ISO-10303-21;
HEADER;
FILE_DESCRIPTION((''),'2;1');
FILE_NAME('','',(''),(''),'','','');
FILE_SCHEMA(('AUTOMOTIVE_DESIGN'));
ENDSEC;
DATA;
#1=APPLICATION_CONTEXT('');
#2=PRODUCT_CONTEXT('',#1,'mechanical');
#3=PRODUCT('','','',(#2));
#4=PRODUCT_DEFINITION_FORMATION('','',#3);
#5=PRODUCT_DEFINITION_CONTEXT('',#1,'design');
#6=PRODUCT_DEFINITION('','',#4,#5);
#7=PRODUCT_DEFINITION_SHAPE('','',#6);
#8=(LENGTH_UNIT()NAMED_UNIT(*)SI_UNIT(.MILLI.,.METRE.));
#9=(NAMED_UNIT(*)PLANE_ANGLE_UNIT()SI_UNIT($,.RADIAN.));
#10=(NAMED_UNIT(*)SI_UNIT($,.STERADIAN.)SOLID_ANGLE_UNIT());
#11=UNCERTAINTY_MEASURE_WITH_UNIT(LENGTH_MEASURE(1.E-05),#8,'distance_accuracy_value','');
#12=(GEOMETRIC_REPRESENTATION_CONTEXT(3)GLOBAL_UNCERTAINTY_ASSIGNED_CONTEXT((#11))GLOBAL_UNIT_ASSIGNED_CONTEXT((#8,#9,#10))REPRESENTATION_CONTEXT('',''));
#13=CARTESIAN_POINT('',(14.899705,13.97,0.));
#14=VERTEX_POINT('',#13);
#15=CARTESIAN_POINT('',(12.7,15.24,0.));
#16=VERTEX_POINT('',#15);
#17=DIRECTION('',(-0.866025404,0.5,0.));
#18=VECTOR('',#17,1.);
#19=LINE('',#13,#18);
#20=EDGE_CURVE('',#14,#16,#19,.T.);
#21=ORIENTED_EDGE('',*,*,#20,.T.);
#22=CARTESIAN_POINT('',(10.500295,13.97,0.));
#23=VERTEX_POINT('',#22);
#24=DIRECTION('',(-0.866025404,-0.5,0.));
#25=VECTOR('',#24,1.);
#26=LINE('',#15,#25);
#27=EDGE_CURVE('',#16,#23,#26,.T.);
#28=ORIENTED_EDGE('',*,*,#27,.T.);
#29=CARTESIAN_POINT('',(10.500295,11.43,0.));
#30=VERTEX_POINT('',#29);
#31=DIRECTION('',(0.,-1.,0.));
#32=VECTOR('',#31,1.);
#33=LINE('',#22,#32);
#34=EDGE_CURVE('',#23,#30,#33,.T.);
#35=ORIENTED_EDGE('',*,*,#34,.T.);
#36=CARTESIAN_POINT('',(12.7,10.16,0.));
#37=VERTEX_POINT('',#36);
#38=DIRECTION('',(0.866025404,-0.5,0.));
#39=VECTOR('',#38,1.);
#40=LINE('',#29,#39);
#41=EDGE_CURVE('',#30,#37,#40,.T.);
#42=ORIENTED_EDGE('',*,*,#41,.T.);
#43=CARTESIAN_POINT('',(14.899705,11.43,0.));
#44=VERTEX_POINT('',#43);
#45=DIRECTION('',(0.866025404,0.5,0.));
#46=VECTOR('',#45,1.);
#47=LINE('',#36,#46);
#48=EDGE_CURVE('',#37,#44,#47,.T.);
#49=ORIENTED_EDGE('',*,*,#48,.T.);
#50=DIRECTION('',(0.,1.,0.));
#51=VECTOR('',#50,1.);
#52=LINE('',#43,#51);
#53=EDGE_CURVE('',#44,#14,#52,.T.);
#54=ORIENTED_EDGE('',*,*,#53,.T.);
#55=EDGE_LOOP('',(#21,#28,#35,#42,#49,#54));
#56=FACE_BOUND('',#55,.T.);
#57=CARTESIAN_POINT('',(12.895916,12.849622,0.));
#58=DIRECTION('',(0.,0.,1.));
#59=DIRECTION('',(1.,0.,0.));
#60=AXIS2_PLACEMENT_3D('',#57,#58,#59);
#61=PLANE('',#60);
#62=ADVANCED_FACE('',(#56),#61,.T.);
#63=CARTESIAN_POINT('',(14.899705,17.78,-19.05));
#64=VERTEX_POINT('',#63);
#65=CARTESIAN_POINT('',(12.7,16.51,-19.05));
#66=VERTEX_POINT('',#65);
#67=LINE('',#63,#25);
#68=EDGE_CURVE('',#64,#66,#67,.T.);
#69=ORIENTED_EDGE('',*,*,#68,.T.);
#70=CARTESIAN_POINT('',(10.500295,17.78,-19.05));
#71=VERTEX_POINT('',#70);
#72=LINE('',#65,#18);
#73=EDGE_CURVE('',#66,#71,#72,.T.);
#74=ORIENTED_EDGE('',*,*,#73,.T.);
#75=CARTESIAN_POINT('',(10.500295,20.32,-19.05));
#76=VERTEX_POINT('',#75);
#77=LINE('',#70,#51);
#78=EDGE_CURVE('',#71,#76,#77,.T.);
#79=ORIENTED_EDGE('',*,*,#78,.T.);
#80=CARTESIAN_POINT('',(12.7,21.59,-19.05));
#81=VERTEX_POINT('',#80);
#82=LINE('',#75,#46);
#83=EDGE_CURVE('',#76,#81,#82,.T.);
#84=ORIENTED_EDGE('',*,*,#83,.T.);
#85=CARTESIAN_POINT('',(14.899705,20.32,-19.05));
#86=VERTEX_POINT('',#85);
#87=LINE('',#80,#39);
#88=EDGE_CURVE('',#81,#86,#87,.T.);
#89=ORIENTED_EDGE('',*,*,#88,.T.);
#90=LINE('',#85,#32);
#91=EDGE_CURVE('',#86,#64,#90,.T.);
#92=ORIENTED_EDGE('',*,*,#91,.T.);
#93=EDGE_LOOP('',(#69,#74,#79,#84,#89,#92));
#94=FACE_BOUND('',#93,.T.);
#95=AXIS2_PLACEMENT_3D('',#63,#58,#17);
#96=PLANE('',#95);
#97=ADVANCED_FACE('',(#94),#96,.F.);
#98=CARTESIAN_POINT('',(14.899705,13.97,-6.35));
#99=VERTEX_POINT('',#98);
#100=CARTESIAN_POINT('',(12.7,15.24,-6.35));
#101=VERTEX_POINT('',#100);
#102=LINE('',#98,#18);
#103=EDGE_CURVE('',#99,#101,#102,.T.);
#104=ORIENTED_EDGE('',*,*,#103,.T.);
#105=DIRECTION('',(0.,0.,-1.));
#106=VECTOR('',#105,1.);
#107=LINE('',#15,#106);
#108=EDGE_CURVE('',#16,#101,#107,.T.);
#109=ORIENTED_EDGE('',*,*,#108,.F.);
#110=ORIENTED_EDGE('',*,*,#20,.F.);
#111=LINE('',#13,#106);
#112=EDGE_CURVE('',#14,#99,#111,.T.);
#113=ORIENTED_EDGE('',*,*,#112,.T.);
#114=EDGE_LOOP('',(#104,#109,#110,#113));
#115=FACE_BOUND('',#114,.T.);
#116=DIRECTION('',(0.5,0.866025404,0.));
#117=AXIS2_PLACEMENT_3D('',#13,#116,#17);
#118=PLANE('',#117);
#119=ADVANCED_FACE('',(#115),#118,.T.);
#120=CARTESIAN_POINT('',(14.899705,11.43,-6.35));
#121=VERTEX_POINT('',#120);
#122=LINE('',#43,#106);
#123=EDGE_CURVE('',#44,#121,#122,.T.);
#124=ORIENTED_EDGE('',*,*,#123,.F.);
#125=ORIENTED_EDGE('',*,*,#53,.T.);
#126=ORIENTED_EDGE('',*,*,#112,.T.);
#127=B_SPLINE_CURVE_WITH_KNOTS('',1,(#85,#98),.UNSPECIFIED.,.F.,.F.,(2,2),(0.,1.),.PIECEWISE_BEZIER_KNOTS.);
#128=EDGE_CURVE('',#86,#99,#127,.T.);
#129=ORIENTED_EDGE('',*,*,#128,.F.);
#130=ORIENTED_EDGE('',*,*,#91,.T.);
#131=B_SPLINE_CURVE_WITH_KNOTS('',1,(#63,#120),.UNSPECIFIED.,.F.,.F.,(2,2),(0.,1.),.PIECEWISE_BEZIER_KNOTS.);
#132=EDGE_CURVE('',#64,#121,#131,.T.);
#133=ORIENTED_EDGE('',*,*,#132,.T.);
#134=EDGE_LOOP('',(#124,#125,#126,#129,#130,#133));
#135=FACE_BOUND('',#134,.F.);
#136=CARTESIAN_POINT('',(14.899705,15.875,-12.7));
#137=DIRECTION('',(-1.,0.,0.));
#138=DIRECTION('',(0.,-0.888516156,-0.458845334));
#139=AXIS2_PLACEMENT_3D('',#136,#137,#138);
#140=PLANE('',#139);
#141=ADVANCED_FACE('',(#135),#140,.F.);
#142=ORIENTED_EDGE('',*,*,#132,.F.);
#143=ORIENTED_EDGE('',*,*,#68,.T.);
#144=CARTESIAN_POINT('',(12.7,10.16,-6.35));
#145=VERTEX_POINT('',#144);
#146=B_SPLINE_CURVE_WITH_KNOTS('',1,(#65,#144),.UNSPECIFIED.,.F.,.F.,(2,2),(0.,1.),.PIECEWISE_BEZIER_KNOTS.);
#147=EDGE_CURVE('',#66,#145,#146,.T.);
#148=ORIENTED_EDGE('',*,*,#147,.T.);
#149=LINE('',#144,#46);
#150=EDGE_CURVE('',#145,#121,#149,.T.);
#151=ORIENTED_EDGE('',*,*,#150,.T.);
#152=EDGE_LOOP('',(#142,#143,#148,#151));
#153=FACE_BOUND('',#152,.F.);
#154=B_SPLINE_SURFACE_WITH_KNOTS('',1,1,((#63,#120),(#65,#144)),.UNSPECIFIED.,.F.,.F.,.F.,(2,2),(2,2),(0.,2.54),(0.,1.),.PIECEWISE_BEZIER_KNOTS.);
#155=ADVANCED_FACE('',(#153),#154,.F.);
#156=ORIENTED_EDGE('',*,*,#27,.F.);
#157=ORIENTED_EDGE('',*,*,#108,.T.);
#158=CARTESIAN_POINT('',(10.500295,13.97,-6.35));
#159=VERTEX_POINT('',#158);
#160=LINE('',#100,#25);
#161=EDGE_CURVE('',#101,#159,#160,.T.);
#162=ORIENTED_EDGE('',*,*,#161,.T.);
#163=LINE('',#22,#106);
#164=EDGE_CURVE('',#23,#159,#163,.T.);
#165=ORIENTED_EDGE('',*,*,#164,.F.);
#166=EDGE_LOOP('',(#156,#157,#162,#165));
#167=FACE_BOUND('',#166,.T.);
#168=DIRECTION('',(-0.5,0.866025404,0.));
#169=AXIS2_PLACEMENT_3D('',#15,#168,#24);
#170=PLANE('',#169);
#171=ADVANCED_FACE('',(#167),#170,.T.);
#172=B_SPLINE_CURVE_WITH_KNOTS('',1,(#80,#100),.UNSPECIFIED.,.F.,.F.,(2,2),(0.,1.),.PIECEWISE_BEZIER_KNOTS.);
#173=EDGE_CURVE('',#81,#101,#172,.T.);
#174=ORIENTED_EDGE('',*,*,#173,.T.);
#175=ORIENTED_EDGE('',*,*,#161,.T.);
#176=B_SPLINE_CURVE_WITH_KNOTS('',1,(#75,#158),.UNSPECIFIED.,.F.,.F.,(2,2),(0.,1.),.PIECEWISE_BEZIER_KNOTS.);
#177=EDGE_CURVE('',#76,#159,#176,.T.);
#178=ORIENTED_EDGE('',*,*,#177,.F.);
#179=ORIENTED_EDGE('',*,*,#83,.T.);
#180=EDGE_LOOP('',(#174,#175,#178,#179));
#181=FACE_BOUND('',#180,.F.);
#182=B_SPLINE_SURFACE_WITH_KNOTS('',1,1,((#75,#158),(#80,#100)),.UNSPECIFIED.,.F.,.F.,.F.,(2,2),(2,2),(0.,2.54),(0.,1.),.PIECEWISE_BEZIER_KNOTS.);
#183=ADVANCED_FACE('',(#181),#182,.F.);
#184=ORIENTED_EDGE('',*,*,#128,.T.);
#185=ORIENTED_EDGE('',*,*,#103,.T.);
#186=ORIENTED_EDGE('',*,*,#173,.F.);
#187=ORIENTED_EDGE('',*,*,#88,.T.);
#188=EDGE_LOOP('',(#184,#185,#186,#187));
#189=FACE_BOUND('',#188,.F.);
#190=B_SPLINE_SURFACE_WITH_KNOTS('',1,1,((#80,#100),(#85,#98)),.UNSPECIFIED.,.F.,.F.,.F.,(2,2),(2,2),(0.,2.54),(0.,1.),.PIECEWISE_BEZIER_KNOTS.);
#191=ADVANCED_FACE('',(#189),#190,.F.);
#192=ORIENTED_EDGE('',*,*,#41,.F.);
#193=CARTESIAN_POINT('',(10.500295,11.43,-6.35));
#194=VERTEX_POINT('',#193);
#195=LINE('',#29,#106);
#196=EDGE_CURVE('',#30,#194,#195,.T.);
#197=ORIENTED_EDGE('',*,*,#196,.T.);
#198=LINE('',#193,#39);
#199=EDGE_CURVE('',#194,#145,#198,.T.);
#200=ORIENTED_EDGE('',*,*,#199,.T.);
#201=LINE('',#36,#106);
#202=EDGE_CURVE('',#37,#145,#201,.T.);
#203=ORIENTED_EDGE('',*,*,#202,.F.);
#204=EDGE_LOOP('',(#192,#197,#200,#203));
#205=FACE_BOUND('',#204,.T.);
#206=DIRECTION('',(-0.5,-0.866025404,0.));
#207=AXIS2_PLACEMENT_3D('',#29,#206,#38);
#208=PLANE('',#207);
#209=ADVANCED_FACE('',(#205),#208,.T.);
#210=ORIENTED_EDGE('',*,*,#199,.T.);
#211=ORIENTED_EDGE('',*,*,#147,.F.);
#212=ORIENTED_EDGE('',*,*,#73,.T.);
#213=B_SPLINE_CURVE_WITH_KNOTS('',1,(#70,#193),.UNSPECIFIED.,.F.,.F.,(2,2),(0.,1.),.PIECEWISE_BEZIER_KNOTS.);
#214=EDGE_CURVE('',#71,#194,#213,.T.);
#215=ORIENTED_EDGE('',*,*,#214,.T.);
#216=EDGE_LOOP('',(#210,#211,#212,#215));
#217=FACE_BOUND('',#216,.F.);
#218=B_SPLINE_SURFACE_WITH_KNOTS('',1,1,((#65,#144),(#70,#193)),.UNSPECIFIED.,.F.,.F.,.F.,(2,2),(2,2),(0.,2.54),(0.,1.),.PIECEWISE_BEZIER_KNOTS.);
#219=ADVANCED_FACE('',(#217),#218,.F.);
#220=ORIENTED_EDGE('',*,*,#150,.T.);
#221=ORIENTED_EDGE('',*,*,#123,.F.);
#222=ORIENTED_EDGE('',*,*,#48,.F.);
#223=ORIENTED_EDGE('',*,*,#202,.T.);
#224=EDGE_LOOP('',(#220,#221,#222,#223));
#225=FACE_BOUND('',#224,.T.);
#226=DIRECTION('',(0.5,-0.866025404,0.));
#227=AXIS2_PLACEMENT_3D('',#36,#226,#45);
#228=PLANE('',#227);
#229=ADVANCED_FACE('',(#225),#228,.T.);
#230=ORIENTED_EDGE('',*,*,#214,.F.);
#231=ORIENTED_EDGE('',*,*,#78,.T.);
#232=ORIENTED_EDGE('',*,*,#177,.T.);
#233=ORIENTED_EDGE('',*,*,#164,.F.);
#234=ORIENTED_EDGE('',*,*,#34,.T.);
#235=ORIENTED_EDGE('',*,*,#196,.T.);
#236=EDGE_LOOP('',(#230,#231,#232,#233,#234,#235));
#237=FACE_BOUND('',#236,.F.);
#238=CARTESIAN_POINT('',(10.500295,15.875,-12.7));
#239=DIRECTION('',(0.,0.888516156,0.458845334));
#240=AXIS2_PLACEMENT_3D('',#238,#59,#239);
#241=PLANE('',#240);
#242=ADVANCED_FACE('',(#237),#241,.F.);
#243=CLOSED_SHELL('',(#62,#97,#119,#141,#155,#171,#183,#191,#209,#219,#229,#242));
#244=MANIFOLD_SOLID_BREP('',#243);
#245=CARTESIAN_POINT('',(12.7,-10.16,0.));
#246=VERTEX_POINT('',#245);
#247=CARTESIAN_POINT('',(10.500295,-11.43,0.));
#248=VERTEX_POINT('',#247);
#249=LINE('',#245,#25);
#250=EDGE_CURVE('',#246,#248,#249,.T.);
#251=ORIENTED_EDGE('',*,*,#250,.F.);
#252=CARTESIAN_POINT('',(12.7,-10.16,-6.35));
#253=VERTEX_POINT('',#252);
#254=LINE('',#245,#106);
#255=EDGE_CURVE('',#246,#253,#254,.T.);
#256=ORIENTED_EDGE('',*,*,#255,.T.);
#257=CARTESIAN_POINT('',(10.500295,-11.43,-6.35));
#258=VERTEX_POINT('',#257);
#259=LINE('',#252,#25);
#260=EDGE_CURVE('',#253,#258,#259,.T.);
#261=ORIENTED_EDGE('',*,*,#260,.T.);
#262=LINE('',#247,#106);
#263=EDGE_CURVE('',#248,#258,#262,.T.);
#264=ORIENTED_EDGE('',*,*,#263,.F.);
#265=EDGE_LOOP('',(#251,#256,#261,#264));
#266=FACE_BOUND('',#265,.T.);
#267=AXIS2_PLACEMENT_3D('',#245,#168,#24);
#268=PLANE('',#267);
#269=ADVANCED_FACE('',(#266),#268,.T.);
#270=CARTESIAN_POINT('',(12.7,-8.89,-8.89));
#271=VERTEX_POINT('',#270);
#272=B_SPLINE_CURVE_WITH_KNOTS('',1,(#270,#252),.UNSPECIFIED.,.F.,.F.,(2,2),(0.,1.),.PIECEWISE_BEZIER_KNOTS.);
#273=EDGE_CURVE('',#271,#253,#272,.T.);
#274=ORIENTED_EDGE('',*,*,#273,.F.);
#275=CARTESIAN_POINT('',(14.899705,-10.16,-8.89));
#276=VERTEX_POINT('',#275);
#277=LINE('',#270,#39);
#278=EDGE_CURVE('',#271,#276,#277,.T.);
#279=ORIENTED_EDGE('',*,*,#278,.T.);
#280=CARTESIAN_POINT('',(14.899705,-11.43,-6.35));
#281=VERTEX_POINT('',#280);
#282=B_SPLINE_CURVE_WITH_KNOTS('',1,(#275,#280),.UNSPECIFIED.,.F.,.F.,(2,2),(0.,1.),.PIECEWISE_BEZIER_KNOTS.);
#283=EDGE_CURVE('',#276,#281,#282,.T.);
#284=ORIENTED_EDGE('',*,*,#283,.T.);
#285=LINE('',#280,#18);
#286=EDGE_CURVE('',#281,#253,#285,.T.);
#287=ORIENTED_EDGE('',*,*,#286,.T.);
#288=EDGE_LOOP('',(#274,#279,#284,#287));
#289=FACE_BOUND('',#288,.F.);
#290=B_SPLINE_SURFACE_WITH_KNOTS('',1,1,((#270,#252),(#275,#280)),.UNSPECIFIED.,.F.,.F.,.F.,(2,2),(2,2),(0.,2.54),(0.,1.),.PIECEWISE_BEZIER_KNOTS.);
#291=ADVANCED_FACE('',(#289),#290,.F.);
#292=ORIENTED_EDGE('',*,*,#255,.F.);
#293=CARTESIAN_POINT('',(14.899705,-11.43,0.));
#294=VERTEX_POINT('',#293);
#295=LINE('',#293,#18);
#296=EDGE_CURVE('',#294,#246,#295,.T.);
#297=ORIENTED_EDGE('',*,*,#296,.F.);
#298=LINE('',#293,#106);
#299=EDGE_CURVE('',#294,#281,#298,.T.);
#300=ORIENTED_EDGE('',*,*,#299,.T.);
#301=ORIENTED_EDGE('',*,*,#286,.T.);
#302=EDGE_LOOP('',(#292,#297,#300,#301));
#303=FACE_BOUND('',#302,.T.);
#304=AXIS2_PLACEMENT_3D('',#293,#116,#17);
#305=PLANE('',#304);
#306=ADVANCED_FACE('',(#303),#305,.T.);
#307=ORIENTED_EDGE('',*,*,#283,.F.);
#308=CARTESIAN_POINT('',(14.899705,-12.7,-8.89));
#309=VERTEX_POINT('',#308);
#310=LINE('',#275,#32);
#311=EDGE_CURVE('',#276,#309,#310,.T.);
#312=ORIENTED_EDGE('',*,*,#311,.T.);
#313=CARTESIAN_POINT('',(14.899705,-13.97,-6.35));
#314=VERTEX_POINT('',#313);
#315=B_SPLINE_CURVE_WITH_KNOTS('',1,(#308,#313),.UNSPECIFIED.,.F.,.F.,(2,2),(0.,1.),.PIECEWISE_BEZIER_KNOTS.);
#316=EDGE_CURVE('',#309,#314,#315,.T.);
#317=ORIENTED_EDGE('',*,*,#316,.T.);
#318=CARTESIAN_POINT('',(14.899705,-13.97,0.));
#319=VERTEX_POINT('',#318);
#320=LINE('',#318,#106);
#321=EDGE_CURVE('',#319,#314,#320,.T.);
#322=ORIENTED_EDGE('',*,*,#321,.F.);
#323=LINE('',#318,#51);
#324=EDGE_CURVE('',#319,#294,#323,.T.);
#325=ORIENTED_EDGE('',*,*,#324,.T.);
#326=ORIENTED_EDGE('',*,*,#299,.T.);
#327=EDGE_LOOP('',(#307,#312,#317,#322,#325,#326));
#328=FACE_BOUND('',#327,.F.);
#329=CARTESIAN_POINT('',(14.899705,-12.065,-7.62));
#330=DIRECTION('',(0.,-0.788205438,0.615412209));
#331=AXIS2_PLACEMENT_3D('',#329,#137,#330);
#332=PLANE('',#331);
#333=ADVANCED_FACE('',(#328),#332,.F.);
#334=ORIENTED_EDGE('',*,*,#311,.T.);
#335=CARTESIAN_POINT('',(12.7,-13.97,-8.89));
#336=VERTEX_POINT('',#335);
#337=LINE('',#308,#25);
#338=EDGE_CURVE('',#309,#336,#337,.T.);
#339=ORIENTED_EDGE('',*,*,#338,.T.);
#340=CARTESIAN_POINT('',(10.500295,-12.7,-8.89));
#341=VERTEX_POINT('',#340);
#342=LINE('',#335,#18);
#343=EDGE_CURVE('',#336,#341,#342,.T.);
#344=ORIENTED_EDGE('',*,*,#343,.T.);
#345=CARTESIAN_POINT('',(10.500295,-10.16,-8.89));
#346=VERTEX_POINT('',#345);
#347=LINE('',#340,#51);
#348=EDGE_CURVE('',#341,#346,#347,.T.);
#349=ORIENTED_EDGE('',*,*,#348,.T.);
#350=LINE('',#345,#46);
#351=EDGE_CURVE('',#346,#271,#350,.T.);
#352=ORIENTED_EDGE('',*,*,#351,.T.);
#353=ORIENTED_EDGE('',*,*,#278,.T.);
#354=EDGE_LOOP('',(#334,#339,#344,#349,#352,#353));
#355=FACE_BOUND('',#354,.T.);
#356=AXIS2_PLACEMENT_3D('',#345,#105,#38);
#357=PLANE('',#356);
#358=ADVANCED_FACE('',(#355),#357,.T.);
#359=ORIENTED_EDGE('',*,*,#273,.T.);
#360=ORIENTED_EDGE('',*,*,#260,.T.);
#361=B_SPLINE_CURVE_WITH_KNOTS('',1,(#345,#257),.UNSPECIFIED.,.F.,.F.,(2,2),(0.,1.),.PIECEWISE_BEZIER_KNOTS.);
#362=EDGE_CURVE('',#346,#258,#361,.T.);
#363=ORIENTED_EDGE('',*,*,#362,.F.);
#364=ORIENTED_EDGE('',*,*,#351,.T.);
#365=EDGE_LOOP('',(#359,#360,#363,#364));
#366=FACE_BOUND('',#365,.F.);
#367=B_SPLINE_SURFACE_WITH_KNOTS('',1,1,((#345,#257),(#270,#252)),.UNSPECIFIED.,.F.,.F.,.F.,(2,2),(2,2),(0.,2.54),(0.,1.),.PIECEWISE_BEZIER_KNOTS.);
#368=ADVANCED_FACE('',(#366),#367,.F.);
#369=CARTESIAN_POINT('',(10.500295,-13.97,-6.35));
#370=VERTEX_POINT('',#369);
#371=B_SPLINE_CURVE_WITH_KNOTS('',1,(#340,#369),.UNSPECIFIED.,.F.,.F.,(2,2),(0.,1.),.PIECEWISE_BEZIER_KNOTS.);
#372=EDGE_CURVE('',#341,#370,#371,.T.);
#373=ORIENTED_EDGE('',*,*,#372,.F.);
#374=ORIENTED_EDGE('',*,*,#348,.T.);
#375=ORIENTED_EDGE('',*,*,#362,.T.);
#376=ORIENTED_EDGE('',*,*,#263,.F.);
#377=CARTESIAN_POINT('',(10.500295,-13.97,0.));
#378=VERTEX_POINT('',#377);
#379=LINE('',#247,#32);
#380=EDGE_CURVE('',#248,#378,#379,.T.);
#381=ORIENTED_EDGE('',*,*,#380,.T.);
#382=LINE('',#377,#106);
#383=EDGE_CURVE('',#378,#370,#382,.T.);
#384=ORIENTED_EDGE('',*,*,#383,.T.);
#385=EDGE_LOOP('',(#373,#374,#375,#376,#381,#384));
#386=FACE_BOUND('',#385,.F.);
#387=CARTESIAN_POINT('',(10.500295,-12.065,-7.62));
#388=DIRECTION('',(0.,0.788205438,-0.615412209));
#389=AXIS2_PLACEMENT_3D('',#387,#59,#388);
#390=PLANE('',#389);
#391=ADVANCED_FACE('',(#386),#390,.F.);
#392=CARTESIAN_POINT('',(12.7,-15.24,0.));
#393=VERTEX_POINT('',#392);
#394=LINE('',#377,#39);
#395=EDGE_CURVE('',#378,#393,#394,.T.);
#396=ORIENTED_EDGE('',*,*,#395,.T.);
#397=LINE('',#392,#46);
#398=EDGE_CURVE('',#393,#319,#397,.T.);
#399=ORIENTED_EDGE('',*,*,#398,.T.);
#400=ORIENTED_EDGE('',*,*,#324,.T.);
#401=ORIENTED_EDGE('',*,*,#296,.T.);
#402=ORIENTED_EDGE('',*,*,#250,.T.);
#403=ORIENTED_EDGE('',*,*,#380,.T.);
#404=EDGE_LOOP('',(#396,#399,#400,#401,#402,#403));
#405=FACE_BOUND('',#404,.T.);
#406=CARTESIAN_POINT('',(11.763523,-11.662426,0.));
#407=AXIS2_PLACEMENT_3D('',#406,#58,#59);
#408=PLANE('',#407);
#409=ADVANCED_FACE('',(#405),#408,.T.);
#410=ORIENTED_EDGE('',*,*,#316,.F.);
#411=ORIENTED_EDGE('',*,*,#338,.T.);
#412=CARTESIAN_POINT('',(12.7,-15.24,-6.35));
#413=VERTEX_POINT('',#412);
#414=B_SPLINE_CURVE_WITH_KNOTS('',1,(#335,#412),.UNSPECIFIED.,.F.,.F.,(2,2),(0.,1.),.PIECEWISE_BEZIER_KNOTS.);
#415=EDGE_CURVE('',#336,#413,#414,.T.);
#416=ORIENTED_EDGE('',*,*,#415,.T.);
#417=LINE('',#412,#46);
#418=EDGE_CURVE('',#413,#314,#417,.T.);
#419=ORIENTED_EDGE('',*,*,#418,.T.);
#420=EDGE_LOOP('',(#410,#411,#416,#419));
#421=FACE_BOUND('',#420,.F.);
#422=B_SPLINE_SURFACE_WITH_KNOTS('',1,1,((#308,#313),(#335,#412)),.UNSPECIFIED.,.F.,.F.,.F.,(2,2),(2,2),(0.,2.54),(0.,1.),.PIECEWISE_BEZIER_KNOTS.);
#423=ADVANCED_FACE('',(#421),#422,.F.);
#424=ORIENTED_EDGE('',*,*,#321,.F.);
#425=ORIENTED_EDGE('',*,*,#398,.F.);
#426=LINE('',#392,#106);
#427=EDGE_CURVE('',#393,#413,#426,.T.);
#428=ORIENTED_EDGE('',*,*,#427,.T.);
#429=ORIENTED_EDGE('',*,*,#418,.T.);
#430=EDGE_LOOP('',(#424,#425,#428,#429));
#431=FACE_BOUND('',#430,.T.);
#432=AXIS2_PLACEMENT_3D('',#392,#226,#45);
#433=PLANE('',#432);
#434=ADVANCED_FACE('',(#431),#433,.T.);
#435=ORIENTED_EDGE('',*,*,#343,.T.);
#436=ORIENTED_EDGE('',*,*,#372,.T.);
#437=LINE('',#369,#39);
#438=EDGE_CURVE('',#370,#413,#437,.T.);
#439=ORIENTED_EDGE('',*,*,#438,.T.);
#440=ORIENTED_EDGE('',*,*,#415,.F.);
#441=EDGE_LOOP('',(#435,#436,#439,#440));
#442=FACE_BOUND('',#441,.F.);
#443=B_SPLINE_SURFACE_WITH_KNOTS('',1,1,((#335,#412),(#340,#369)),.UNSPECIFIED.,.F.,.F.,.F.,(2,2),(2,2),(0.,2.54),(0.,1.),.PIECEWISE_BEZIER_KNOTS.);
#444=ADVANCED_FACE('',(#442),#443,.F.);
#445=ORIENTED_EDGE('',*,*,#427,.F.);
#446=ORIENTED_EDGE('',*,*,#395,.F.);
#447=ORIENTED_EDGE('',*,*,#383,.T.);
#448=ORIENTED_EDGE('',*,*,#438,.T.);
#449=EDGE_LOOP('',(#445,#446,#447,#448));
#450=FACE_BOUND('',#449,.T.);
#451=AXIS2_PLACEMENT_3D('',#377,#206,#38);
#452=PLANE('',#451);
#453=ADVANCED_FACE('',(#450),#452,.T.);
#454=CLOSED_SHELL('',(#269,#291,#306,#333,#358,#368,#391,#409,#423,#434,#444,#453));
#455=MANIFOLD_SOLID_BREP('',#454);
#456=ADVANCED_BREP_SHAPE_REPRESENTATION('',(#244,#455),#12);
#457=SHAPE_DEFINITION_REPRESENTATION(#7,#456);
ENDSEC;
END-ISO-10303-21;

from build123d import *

# Parameters (mm, degrees)
F1_DEPTH = 6.35


with BuildPart() as f1:
    # F0 (on Top) → F1 (new body)
    with BuildSketch(Plane.XY):
        Polygon((10.5002954744, 12.7), (12.7, 12.7), (12.7, 10.16), (14.8997045256, 11.43), (14.8997045256, 13.97), (12.7, 15.24), (10.5002954744, 13.97), align=None)
        Polygon((12.7, 10.16), (12.7, 12.7), (10.5002954744, 12.7), (10.5002954744, 11.43), align=None)
    extrude(amount=-F1_DEPTH)

    # F6 (on offset) → F7 section 0
    with BuildSketch(Plane(origin=(0, 0, -19.05), x_dir=(1, 0, 0), z_dir=(0, 0, -1))):
        Polygon((14.8997045256, -17.78), (12.7, -16.51), (10.5002954744, -17.78), (10.5002954744, -20.32), (12.7, -21.59), (14.8997045256, -20.32), align=None)
    # F1_face (on face) → F7 section 1
    with BuildSketch(Plane(origin=(12.7, -12.7, -6.35), x_dir=(1, 0, 0), z_dir=(0, 0, -1))):
        Polygon((-2.1997045256, -24.13), (-2.1997045256, -26.67), (0, -27.94), (2.1997045256, -26.67), (2.1997045256, -24.13), (0, -22.86), align=None)
    loft()


with BuildPart() as f1b:
    # F0 (on Top) → F1, piece 2 (new body)
    with BuildSketch(Plane.XY):
        Polygon((12.7, -12.7), (12.7, -10.16), (10.5002954744, -11.43), (10.5002954744, -12.7), align=None)
        Polygon((14.8997045256, -11.43), (12.7, -10.16), (12.7, -12.7), (10.5002954744, -12.7), (10.5002954744, -13.97), (12.7, -15.24), (14.8997045256, -13.97), align=None)
    extrude(amount=-F1_DEPTH)

    # F3 (on offset) → F4 section 0
    with BuildSketch(Plane(origin=(0, 0, -8.89), x_dir=(1, 0, 0), z_dir=(0, 0, -1))):
        Polygon((10.5002954744, 10.16), (12.7, 8.89), (14.8997045256, 10.16), (14.8997045256, 12.7), (12.7, 13.97), (10.5002954744, 12.7), align=None)
    # F1_face (on face) → F4 section 1
    with BuildSketch(Plane(origin=(12.7, -12.7, -6.35), x_dir=(1, 0, 0), z_dir=(0, 0, -1))):
        Polygon((-2.1997045256, -1.27), (0, -2.54), (2.1997045256, -1.27), (2.1997045256, 1.27), (0, 2.54), (-2.1997045256, 1.27), align=None)
    loft()


solid = Compound([f1.part, f1b.part])
